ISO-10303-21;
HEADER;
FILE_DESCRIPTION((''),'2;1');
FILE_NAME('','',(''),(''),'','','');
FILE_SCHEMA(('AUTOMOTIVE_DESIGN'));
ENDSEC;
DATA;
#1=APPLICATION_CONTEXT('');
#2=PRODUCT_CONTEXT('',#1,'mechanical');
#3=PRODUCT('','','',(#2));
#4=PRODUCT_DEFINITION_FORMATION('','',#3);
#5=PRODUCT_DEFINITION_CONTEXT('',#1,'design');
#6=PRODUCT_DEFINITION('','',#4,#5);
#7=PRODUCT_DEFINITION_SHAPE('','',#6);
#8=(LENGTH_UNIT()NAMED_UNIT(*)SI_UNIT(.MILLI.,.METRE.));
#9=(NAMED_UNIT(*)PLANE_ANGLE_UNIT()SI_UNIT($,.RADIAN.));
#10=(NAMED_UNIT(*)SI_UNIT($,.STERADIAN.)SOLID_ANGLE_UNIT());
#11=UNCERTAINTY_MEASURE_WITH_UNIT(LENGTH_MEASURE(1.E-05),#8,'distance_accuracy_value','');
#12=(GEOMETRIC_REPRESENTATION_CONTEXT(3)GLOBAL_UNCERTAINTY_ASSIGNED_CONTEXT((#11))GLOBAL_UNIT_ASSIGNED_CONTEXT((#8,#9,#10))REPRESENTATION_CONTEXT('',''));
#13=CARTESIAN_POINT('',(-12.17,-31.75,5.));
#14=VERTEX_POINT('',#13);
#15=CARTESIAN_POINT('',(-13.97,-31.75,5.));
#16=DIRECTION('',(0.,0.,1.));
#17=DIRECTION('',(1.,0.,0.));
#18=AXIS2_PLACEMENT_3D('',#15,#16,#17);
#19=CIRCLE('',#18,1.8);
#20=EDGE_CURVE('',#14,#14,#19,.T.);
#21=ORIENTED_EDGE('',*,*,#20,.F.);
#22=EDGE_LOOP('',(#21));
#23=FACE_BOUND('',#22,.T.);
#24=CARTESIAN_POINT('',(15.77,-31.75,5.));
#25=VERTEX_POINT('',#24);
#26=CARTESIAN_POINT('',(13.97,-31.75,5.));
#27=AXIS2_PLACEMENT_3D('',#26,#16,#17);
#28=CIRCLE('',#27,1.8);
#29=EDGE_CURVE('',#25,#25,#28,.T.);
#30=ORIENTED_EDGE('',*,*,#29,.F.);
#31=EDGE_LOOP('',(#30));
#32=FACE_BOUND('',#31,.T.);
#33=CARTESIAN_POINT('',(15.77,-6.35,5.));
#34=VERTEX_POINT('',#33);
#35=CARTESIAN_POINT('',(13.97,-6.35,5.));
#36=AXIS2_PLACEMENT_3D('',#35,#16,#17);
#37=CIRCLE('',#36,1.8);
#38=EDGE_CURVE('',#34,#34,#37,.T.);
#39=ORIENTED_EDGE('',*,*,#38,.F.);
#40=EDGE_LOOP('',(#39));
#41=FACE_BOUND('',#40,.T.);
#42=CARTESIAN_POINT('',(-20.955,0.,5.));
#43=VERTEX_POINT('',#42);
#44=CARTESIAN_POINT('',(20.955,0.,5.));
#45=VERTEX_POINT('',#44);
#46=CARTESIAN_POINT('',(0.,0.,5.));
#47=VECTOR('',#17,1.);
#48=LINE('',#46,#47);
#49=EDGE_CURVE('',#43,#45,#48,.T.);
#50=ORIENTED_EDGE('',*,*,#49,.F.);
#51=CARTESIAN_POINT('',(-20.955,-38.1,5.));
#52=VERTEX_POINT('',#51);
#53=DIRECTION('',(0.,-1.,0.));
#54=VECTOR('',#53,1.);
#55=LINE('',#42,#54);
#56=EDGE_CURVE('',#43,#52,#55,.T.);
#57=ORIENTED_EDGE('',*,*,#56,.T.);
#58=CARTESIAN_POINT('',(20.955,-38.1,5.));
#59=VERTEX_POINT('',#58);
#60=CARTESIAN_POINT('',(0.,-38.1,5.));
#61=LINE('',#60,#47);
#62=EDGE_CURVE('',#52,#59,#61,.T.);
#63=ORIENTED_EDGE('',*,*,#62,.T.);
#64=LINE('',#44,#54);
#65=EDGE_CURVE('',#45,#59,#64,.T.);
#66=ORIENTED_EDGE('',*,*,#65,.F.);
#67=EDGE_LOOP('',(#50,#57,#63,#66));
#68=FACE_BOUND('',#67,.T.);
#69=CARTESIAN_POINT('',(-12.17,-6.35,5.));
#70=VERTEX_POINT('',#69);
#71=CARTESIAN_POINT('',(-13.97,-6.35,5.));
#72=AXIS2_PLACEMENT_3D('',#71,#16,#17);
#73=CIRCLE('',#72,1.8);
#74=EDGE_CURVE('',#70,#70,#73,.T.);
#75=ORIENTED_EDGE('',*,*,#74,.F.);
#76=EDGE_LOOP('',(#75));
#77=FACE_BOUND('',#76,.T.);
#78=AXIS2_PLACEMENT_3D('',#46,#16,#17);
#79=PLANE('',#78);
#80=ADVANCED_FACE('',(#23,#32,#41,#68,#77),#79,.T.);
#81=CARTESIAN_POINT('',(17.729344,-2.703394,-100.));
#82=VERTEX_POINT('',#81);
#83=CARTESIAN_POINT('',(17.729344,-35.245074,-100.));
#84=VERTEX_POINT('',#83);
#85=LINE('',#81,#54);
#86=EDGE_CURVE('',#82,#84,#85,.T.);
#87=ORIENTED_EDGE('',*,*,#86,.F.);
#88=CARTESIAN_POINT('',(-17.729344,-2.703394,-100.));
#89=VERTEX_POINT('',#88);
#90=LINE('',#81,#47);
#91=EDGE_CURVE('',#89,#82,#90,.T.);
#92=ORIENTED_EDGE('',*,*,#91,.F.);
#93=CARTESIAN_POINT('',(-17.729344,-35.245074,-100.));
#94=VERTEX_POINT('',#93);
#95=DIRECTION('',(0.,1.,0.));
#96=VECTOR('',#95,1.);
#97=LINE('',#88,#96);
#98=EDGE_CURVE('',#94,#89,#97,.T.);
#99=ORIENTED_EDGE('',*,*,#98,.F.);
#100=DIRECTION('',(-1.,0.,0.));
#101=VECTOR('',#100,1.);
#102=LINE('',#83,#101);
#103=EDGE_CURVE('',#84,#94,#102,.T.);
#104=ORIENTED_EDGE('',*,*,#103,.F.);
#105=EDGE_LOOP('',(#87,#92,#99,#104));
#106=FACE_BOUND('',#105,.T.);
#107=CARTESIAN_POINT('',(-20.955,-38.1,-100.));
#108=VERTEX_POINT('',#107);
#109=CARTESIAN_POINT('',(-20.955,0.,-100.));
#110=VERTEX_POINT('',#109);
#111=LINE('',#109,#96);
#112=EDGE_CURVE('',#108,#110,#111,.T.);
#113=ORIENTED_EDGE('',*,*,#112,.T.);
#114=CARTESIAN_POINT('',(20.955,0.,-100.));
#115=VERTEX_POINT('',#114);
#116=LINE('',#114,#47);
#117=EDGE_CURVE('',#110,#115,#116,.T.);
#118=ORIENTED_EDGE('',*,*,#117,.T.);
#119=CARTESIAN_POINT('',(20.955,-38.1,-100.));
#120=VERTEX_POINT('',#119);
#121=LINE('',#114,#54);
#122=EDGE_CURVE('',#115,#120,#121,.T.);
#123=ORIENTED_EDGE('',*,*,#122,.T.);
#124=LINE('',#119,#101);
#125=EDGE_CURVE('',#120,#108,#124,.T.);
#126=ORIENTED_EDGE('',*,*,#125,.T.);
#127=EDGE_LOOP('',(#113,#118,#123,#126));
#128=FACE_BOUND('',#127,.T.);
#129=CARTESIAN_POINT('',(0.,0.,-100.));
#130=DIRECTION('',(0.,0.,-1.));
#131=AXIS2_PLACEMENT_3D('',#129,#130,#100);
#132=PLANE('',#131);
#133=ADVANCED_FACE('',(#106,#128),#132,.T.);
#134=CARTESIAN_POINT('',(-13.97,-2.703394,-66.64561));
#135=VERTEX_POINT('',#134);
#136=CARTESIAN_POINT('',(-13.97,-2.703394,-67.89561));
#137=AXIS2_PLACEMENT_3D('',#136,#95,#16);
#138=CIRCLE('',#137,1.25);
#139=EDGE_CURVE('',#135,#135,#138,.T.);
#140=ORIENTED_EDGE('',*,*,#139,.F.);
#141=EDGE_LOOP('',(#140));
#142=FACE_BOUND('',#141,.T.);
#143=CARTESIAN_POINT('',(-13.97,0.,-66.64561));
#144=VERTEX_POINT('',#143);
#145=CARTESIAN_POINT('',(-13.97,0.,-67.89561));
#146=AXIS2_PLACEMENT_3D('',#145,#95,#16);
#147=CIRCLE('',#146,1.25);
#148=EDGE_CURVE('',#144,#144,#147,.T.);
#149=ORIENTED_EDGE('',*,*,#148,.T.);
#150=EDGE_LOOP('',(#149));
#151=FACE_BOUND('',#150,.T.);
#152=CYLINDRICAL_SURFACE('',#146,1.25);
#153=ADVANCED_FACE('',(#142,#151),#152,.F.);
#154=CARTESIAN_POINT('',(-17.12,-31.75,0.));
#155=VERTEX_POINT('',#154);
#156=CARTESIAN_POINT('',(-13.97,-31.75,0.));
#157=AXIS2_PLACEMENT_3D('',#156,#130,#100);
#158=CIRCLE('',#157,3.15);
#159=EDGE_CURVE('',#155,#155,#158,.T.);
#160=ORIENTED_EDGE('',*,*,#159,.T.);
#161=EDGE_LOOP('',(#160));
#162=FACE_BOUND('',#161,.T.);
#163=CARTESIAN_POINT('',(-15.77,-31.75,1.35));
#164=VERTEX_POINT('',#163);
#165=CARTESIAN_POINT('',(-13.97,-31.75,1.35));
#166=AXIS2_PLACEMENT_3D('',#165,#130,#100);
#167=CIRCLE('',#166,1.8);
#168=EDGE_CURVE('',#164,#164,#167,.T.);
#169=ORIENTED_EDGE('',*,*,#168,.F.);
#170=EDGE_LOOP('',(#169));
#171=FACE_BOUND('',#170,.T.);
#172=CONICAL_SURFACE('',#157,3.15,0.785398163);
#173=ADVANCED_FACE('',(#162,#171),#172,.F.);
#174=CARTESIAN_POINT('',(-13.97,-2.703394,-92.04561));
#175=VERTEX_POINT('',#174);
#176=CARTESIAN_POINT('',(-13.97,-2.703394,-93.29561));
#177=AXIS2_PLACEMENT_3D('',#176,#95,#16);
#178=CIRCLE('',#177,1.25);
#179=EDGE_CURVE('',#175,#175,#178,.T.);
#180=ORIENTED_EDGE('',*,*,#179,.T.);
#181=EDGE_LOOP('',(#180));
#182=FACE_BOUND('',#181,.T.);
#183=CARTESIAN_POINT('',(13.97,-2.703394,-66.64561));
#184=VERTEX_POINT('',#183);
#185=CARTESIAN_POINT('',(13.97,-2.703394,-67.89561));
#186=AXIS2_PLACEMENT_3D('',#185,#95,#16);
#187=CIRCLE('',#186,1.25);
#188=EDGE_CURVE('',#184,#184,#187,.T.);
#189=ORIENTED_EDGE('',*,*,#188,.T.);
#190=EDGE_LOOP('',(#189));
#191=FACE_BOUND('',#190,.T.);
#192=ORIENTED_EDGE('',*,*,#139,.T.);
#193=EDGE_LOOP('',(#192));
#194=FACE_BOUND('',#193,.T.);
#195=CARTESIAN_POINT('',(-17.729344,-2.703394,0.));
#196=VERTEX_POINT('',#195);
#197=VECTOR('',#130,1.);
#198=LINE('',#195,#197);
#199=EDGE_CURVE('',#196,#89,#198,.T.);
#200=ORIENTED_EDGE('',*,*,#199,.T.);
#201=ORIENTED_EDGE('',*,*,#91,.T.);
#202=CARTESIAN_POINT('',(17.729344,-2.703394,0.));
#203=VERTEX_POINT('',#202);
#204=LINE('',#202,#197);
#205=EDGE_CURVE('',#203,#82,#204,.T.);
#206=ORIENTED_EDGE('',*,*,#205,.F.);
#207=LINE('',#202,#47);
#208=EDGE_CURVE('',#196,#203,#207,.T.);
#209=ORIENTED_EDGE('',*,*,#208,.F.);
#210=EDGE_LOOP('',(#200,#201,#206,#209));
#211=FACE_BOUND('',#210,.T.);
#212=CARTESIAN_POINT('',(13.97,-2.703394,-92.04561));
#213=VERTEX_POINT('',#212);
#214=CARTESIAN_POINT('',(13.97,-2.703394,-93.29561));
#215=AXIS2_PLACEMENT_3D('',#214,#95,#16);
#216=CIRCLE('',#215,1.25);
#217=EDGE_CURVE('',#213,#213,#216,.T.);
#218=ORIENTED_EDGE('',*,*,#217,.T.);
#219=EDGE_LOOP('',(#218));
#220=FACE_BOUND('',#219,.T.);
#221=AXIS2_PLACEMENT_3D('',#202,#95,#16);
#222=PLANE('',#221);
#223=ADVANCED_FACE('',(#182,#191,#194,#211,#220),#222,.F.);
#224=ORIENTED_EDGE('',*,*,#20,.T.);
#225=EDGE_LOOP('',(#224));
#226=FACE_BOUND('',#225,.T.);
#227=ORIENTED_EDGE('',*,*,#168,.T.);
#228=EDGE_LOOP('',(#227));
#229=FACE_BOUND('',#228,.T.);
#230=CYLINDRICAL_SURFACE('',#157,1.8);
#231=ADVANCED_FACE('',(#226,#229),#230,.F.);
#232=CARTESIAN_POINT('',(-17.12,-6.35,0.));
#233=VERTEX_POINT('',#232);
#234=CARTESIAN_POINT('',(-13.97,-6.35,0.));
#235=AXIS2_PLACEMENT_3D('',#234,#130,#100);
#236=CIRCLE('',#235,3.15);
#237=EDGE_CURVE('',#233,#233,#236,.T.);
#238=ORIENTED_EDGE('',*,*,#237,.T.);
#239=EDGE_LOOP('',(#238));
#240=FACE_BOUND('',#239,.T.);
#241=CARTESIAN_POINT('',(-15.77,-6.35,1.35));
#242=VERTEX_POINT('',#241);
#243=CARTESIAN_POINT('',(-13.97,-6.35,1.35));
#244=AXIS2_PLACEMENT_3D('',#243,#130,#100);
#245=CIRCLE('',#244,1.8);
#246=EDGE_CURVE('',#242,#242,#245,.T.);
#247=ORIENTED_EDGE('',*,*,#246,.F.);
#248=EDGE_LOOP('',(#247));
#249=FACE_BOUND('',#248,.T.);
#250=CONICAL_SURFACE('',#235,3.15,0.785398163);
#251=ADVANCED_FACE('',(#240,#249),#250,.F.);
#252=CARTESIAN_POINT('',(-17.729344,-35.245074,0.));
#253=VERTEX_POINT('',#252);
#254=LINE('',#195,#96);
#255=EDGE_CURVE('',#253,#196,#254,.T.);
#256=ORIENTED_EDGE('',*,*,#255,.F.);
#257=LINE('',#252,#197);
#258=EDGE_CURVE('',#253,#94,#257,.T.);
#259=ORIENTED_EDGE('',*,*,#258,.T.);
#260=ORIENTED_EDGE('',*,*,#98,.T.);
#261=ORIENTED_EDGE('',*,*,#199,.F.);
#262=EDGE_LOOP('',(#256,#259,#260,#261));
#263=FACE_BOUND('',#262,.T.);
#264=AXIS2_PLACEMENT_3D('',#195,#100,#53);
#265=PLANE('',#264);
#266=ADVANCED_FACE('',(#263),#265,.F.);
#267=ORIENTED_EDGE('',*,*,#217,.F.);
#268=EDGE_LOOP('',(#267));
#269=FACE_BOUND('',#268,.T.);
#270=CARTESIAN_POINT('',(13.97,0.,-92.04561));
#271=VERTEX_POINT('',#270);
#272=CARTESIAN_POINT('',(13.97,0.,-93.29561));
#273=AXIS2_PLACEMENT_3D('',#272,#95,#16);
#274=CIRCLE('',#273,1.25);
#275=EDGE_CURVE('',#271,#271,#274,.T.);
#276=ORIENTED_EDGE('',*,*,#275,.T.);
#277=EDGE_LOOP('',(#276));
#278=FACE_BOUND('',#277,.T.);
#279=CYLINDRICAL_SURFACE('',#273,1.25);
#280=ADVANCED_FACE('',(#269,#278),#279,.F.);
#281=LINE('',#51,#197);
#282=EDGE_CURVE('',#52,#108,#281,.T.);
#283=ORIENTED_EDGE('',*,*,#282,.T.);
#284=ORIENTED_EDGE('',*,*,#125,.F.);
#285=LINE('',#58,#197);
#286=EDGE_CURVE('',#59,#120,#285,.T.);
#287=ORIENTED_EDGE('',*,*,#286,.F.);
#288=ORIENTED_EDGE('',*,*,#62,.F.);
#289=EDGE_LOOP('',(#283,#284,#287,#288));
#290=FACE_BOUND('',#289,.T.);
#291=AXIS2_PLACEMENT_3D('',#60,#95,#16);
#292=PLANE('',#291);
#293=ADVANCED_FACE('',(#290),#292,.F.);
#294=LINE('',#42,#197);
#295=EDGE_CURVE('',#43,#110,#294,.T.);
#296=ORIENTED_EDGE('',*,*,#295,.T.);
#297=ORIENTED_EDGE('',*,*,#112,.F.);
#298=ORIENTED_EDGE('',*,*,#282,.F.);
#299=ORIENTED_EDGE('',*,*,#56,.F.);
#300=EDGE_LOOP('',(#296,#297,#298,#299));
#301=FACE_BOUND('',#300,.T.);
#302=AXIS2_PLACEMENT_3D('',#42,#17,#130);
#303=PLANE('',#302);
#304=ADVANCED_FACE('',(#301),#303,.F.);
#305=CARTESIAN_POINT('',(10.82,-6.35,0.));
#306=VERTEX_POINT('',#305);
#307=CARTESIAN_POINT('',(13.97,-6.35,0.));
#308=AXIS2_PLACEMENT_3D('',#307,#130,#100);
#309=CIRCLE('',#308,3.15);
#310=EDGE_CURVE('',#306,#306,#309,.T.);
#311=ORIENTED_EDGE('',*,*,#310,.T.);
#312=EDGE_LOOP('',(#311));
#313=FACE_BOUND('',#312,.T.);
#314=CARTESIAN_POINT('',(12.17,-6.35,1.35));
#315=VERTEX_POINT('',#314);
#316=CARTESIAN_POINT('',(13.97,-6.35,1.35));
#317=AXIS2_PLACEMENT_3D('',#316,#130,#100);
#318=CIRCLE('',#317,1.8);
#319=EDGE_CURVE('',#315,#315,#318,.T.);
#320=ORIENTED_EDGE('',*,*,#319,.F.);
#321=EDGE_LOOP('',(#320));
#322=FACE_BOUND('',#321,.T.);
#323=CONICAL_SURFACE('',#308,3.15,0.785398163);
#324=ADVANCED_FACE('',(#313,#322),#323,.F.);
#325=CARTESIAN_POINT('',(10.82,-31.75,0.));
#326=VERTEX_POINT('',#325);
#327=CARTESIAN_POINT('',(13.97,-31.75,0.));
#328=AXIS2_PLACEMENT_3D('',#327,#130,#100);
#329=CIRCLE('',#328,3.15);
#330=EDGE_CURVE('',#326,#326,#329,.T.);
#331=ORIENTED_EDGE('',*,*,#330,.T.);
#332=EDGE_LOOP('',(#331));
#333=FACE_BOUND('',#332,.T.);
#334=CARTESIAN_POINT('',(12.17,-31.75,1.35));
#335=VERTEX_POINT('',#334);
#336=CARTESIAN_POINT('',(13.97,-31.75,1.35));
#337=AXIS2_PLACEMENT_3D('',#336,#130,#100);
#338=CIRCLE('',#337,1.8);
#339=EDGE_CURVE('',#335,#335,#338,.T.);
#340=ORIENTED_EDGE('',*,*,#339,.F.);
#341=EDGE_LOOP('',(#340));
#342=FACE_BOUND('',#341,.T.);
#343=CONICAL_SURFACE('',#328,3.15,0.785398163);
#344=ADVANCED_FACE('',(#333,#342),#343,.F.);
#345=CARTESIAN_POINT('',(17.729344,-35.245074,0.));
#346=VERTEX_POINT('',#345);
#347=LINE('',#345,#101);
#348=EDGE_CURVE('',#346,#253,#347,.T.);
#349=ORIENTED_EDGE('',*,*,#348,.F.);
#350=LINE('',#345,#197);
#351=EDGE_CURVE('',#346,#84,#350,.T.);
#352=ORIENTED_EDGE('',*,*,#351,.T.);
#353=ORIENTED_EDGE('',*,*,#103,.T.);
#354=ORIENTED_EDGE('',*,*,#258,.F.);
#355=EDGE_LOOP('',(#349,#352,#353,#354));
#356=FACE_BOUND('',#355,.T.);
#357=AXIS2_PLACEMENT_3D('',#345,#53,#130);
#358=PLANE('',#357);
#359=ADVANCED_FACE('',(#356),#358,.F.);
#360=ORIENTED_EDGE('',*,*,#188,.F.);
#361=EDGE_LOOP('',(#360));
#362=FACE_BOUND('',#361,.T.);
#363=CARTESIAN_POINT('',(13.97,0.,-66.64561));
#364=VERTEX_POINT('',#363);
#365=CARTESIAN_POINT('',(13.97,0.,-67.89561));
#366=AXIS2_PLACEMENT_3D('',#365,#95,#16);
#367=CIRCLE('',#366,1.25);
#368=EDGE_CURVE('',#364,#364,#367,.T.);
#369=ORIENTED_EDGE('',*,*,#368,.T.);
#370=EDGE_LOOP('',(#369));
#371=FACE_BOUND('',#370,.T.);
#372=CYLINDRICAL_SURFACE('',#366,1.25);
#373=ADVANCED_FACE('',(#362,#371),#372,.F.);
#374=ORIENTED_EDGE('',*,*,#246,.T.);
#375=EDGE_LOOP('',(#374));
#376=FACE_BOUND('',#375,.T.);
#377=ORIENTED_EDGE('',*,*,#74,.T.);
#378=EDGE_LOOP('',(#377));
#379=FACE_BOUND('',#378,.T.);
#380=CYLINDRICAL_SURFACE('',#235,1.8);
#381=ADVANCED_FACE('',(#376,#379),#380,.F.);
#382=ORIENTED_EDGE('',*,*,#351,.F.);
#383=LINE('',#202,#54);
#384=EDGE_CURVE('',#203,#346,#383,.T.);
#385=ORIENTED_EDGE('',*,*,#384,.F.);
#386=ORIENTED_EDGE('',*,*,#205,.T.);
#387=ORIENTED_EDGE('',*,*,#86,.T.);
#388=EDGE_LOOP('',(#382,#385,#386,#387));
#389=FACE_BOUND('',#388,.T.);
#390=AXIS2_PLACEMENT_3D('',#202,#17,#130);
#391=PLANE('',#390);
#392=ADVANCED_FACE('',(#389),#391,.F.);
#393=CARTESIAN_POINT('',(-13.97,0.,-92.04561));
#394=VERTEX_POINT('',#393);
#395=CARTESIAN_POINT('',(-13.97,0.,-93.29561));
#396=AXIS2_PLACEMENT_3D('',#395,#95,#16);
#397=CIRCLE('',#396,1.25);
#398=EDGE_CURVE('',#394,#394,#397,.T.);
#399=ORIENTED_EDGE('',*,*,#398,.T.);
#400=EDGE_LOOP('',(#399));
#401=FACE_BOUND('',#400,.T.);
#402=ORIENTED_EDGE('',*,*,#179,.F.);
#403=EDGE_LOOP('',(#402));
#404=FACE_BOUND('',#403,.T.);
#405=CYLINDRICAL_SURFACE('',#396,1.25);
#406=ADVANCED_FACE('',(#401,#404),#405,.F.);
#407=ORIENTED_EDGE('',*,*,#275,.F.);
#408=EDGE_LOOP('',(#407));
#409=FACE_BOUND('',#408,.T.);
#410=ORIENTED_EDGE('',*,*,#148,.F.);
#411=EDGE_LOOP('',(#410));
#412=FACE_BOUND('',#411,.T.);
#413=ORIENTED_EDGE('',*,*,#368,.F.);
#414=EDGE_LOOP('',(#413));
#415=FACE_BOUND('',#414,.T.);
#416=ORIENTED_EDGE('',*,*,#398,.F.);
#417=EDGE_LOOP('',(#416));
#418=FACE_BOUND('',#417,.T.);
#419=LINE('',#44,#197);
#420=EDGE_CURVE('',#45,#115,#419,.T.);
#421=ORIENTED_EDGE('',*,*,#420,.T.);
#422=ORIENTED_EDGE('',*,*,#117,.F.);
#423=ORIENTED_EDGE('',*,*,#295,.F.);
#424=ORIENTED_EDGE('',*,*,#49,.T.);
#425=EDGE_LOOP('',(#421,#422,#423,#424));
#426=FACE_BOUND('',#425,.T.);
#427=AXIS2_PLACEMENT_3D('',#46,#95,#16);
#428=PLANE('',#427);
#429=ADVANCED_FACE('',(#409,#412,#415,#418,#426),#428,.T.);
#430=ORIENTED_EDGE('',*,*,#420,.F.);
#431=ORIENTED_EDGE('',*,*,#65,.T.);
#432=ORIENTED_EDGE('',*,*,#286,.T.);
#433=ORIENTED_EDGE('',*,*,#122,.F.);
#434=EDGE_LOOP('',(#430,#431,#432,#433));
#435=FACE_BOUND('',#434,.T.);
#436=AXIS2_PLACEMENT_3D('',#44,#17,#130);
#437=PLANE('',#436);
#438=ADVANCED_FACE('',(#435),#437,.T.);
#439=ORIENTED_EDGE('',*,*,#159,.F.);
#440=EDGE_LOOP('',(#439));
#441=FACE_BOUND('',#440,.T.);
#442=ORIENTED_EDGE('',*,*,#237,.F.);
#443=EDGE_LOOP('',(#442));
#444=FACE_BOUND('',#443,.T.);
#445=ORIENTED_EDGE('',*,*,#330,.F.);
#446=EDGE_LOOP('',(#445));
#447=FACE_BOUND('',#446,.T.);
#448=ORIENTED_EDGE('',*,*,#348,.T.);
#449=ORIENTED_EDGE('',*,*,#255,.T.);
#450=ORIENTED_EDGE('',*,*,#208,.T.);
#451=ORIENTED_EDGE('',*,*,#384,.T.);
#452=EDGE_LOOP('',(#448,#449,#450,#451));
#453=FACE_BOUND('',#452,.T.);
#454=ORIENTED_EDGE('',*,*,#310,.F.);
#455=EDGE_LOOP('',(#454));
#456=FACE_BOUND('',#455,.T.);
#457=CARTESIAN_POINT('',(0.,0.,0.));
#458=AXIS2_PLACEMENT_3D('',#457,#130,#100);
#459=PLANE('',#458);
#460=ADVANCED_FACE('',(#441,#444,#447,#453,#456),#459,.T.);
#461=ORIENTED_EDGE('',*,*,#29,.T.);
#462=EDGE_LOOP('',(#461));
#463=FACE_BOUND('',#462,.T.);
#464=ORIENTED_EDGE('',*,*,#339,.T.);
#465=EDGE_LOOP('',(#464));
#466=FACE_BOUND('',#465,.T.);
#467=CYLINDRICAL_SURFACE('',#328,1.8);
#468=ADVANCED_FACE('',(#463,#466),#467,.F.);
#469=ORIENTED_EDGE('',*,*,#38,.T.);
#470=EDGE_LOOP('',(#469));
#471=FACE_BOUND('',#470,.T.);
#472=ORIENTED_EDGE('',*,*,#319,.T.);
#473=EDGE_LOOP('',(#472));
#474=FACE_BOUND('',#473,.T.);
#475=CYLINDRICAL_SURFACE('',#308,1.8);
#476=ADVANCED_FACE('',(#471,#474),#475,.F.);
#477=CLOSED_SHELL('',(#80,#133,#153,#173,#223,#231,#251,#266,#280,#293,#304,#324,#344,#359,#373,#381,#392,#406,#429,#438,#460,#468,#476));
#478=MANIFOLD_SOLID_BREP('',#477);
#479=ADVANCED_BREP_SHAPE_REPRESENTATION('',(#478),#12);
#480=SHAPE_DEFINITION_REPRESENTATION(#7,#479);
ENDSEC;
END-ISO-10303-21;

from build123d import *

# Parameters (mm, degrees)
SKETCH3_W                                           = 20.955
SKETCH3_H                                           = 38.1
BOSS_EXTRUDE1_DEPTH                                 = 5
CSK_FOR_M3_COUNTERSUNK_FLAT_HEAD_SCREW1_D           = 3.6
CSK_FOR_M3_COUNTERSUNK_FLAT_HEAD_SCREW1_DEPTH       = 10
CSK_FOR_M3_COUNTERSUNK_FLAT_HEAD_SCREW1_CSINK_D     = 6.3
CSK_FOR_M3_COUNTERSUNK_FLAT_HEAD_SCREW1_CSINK_ANGLE = 90
CSK_FOR_M3_COUNTERSUNK_FLAT_HEAD_SCREW1_TIP         = 1.081549114
CSK_FOR_M3_COUNTERSUNK_FLAT_HEAD_SCREW2_D           = 3.6
CSK_FOR_M3_COUNTERSUNK_FLAT_HEAD_SCREW2_DEPTH       = 10
CSK_FOR_M3_COUNTERSUNK_FLAT_HEAD_SCREW2_CSINK_D     = 6.3
CSK_FOR_M3_COUNTERSUNK_FLAT_HEAD_SCREW2_CSINK_ANGLE = 90
CSK_FOR_M3_COUNTERSUNK_FLAT_HEAD_SCREW2_TIP         = 1.081549114
SKETCH12_W                                          = 41.91
SKETCH12_H                                          = 38.1
BOSS_EXTRUDE2_DEPTH                                 = 100
SKETCH15_W                                          = 35.458687416
SKETCH15_H                                          = 32.541680012
CUT_EXTRUDE4_DEPTH                                  = 100
M3_TAPPED_HOLE1_D                                   = 2.5
M3_TAPPED_HOLE1_DEPTH                               = 10
M3_TAPPED_HOLE1_TIP                                 = 0.751075774


with BuildPart() as part:
    # Sketch3 → Boss-Extrude1 (new body)
    with BuildSketch(Plane.XY):
        with Locations((10.4775, -19.05)):
            Rectangle(SKETCH3_W, SKETCH3_H)
        with Locations((-10.4775, -19.05)):
            Rectangle(SKETCH3_W, SKETCH3_H)
    extrude(amount=BOSS_EXTRUDE1_DEPTH)

    # CSK for M3 Countersunk Flat Head Screw1
    with Locations(Plane(origin=(0, 0, 0), x_dir=(1, 0, 0), z_dir=(0, 0, -1))):
        with Locations((-13.97, 6.35)):
            CounterSinkHole(CSK_FOR_M3_COUNTERSUNK_FLAT_HEAD_SCREW1_D / 2, CSK_FOR_M3_COUNTERSUNK_FLAT_HEAD_SCREW1_CSINK_D / 2, depth=CSK_FOR_M3_COUNTERSUNK_FLAT_HEAD_SCREW1_DEPTH, counter_sink_angle=CSK_FOR_M3_COUNTERSUNK_FLAT_HEAD_SCREW1_CSINK_ANGLE)
            with Locations((0, 0, -(CSK_FOR_M3_COUNTERSUNK_FLAT_HEAD_SCREW1_DEPTH + CSK_FOR_M3_COUNTERSUNK_FLAT_HEAD_SCREW1_TIP / 2))):  # 118° drill point
                Cone(0, CSK_FOR_M3_COUNTERSUNK_FLAT_HEAD_SCREW1_D / 2, CSK_FOR_M3_COUNTERSUNK_FLAT_HEAD_SCREW1_TIP, mode=Mode.SUBTRACT)

    # CSK for M3 Countersunk Flat Head Screw2
    with Locations(Plane(origin=(0, 0, 0), x_dir=(1, 0, 0), z_dir=(0, 0, -1))):
        with Locations((-13.97, 31.75), (-13.97, 6.35), (13.97, 6.35), (13.97, 31.75)):
            CounterSinkHole(CSK_FOR_M3_COUNTERSUNK_FLAT_HEAD_SCREW2_D / 2, CSK_FOR_M3_COUNTERSUNK_FLAT_HEAD_SCREW2_CSINK_D / 2, depth=CSK_FOR_M3_COUNTERSUNK_FLAT_HEAD_SCREW2_DEPTH, counter_sink_angle=CSK_FOR_M3_COUNTERSUNK_FLAT_HEAD_SCREW2_CSINK_ANGLE)
            with Locations((0, 0, -(CSK_FOR_M3_COUNTERSUNK_FLAT_HEAD_SCREW2_DEPTH + CSK_FOR_M3_COUNTERSUNK_FLAT_HEAD_SCREW2_TIP / 2))):  # 118° drill point
                Cone(0, CSK_FOR_M3_COUNTERSUNK_FLAT_HEAD_SCREW2_D / 2, CSK_FOR_M3_COUNTERSUNK_FLAT_HEAD_SCREW2_TIP, mode=Mode.SUBTRACT)

    # Sketch12 → Boss-Extrude2 (add)
    with BuildSketch(Plane(origin=(0, 0, 0), x_dir=(-1, 0, 0), z_dir=(0, 0, -1))):
        with Locations((0, -19.05)):
            Rectangle(SKETCH12_W, SKETCH12_H)
    extrude(amount=BOSS_EXTRUDE2_DEPTH)

    # Sketch15 → Cut-Extrude4 (cut)
    with BuildSketch(Plane(origin=(0, 0, -100), x_dir=(-1, 0, 0), z_dir=(0, 0, -1))):
        with Locations((0, -18.974233574)):
            Rectangle(SKETCH15_W, SKETCH15_H)
    extrude(amount=-CUT_EXTRUDE4_DEPTH, mode=Mode.SUBTRACT)

    # M3 Tapped Hole1
    with Locations(Plane(origin=(0, 0, 0), x_dir=(1, 0, 0), z_dir=(0, 1, 0))):
        with Locations((-13.97, 93.295610143), (-13.97, 67.895610143), (13.97, 67.895610143), (13.97, 93.295610143)):
            Hole(M3_TAPPED_HOLE1_D / 2, depth=M3_TAPPED_HOLE1_DEPTH)
            with Locations((0, 0, -(M3_TAPPED_HOLE1_DEPTH + M3_TAPPED_HOLE1_TIP / 2))):  # 118° drill point
                Cone(0, M3_TAPPED_HOLE1_D / 2, M3_TAPPED_HOLE1_TIP, mode=Mode.SUBTRACT)


solid = part.part
